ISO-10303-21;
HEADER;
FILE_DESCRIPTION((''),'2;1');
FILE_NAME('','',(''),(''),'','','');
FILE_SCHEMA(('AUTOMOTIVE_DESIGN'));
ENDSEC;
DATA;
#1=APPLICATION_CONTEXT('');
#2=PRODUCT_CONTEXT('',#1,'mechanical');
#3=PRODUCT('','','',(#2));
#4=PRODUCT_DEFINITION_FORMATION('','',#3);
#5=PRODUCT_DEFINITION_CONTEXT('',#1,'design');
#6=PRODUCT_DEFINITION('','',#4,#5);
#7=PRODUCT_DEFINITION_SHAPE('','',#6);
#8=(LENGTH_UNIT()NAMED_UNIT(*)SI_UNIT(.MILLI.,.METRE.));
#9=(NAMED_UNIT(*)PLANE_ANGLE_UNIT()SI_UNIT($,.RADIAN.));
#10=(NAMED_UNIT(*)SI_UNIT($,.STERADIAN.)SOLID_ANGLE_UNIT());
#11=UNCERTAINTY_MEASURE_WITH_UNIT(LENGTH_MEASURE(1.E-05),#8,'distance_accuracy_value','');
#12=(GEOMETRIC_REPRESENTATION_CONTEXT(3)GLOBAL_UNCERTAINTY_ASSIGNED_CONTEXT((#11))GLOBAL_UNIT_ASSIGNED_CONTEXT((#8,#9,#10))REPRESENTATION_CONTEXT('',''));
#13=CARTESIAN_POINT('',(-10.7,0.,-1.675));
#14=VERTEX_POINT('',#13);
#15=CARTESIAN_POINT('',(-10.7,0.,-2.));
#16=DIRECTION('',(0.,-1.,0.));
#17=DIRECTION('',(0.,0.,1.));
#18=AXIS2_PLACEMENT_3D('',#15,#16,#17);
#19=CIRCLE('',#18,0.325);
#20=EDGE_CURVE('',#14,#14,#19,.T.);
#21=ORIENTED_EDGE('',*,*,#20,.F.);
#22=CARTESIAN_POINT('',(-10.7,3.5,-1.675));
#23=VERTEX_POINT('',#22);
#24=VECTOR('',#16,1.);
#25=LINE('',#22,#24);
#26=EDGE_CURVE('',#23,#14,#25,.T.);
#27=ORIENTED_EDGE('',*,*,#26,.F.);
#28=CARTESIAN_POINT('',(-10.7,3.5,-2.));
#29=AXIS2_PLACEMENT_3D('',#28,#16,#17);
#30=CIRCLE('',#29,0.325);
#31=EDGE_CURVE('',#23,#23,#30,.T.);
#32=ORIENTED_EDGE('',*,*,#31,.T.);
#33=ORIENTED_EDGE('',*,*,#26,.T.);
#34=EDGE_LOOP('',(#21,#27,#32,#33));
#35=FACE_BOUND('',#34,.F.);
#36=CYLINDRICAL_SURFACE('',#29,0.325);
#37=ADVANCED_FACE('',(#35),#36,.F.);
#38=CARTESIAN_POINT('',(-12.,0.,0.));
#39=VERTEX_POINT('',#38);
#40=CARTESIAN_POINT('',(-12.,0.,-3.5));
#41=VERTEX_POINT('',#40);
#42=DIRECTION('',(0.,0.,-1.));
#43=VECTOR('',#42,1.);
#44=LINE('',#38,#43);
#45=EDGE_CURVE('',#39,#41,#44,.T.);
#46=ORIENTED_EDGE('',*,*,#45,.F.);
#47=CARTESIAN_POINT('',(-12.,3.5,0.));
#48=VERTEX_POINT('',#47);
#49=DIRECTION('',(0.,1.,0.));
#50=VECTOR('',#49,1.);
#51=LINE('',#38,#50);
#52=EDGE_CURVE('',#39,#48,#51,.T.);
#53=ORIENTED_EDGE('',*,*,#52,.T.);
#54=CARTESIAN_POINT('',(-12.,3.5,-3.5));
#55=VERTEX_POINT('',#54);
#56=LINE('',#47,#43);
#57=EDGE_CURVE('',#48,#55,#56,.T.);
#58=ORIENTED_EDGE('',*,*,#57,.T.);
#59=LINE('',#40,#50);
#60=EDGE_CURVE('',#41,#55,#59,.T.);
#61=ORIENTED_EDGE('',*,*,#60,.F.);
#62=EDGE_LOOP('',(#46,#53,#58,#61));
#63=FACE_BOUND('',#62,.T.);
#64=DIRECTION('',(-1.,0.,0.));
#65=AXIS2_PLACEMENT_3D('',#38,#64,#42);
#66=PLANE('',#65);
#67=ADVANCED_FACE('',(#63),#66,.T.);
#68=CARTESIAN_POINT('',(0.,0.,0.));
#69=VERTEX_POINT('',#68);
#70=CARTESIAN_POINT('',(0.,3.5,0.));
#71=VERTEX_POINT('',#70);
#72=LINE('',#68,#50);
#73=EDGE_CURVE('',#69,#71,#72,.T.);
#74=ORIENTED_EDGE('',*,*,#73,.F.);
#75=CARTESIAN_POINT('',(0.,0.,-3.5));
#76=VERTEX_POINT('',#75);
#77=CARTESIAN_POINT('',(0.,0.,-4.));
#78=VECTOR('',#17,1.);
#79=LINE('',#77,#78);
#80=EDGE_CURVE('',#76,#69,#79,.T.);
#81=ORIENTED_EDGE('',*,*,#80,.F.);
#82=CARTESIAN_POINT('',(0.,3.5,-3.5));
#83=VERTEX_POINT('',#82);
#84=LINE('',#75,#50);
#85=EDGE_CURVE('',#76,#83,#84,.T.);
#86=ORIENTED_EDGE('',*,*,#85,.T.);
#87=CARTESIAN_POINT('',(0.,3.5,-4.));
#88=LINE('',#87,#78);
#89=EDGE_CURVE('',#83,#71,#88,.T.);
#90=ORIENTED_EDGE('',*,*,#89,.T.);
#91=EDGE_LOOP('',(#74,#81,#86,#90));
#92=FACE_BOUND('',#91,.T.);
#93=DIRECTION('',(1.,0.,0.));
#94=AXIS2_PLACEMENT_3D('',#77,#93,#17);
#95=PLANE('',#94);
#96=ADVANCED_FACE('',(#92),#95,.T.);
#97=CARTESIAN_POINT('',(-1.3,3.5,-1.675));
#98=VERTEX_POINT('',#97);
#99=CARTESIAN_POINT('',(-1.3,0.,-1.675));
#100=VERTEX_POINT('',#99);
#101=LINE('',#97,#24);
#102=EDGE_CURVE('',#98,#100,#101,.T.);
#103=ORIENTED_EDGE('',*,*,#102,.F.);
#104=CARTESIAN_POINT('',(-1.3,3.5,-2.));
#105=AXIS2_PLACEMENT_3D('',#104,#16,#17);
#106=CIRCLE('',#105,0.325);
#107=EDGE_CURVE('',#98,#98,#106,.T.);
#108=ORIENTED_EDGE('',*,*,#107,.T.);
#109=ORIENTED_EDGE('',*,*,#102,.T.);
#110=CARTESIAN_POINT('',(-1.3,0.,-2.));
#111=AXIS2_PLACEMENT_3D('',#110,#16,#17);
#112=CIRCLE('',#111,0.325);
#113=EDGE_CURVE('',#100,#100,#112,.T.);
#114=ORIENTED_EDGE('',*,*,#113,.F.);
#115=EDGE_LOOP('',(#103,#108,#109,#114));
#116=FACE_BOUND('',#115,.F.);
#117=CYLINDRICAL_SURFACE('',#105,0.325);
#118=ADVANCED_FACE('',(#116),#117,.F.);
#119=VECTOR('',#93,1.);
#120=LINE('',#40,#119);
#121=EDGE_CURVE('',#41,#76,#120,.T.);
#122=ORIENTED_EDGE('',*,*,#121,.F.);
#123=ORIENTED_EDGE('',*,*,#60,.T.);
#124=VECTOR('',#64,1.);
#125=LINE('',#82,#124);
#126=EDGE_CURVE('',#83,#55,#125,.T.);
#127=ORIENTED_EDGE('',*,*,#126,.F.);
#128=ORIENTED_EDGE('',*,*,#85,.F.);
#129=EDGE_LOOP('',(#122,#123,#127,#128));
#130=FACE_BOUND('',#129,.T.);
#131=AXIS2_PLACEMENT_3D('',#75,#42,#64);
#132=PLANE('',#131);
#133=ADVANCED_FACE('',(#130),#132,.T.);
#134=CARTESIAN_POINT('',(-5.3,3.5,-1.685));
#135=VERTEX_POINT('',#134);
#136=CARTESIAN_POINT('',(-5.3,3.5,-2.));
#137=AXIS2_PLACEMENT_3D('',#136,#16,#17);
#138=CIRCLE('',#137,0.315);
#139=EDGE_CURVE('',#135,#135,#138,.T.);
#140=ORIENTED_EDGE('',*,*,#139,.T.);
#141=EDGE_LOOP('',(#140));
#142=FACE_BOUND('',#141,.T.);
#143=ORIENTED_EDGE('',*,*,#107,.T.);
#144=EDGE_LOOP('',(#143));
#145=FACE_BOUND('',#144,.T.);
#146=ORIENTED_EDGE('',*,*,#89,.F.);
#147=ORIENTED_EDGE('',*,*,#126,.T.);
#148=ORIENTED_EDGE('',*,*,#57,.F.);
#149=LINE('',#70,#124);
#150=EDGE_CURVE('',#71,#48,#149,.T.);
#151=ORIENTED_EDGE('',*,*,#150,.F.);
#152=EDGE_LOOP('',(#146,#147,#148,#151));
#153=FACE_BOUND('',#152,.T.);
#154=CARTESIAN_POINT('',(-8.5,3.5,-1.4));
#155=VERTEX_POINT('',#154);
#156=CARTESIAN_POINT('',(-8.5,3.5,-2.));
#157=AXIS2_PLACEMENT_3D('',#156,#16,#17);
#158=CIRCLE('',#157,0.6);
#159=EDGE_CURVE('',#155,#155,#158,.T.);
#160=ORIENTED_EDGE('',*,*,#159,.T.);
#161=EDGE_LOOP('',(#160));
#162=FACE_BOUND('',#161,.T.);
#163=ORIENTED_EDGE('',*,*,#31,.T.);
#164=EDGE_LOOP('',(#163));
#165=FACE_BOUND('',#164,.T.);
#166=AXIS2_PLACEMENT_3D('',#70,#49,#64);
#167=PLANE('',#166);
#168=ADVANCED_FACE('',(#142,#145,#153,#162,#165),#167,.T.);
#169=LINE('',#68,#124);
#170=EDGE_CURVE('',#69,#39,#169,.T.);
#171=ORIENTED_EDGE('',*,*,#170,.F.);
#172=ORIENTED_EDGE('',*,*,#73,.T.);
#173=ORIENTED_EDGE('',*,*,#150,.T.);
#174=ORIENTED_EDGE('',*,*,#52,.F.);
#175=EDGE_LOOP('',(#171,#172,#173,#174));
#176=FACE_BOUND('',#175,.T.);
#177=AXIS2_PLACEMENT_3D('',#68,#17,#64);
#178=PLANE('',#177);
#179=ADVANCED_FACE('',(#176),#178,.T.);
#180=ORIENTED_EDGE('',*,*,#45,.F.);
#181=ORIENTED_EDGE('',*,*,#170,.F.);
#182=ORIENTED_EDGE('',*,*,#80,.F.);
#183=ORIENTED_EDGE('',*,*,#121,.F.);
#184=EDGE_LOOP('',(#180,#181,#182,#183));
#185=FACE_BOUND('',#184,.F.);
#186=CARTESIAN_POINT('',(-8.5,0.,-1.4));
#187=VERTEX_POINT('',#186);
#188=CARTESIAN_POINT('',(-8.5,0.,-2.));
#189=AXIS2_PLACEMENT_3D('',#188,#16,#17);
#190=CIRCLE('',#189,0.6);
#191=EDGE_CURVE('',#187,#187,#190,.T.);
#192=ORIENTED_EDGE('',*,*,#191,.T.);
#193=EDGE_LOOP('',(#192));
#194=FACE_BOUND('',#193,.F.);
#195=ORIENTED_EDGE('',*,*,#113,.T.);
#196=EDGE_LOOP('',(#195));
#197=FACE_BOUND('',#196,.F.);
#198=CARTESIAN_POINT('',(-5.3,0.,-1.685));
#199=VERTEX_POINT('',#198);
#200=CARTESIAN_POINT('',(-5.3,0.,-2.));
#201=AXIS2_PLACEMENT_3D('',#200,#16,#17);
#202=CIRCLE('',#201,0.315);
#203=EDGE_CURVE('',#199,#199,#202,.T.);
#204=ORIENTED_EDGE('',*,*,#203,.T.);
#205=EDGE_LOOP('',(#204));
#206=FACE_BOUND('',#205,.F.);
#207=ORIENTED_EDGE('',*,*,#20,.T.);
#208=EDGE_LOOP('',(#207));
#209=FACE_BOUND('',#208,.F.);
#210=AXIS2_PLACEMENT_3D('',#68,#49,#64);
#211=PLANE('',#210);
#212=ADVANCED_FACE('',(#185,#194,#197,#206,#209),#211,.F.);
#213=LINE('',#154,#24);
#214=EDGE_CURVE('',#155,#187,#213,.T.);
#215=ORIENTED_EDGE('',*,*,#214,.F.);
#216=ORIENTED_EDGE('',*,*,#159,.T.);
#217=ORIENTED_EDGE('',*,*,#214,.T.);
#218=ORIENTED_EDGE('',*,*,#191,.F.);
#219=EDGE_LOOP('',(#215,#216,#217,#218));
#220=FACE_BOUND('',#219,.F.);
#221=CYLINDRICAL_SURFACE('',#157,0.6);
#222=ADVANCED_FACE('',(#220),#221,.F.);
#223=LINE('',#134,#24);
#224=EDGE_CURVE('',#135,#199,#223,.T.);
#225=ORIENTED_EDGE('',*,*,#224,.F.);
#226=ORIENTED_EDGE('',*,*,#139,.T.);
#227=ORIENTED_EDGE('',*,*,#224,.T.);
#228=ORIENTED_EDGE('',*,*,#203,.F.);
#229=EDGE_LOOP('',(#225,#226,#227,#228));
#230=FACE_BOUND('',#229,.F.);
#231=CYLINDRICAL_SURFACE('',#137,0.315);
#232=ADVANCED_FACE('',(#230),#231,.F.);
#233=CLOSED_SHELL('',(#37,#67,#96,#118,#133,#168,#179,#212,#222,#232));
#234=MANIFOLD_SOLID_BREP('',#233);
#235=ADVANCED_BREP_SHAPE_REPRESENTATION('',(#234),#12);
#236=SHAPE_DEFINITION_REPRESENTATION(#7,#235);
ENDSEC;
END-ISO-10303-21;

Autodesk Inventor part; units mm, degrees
ref_plane "YZ Plane" through (0, 0, 0) normal (1, 0, 0) x (0, 1, 0)
ref_plane "XZ Plane" through (0, 0, 0) normal (0, 1, 0) x (-1, 0, 0)
ref_plane "XY Plane" through (0, 0, 0) normal (0, 0, 1) x (1, 0, 0)
sketch "스케치1" plane through (0, 0, 0) normal (0, 1, 0) x (-1, 0, 0)
  line L0 (0, 0) -> (12, 0)
  line L1 (12, 0) -> (12, -4)
  line L2 (12, -4) -> (0, -4)
  line L3 (0, -4) -> (0, 0)
  dimension "d0" = 12
  dimension "d1" = 4
extrude "돌출1" add sketch "스케치1" along normal blind 3.5
sketch "스케치2" plane through (0, 3.5, 0) normal (0, 1, 0) x (1, 0, 0)
  line L0 (0, 0) -> (0, 4) construction
  line L1 (0, 2) -> (-12, 2) construction
  line L2 (-12, 4) -> (-12, 0) construction
  point P0 (-1.3, 2)
  point P1 (-5.3, 2)
  point P2 (-8.5, 2)
  point P3 (-10.7, 2)
  dimension "d59" = 1.3
  dimension "d60" = 2.2
  dimension "d61" = 3.2
  dimension "d62" = 1.3
hole "구멍1" at (-10.7, 3.5, -2) at (-1.3, 3.5, -2) direction (0, -1, 0) diameter 0.65 end through all
hole "구멍2" at (-8.5, 3.5, -2) direction (0, -1, 0) diameter 1.2 end through all
hole "구멍3" at (-5.3, 3.5, -2) direction (0, -1, 0) diameter 0.63 end through all
sketch "스케치7" plane through (0, 0, -4) normal (0, 0, -1) x (-1, 0, 0)
  line L0 (12, 0) -> (0, 0) projected
  line L1 (12, 0) -> (12, 3.5) projected
  line L2 (0, 3.5) -> (12, 3.5) projected
  line L3 (0, 0) -> (0, 3.5) projected
  point P0 (0, 0)
extrude "돌출5" cut sketch "스케치7" against normal blind 0.5
equation "\"G23_F\" = 0.65"
equation "\"G23_M\" = 0.67"
equation "\"Screw_F\" = 1.3"
equation "\"Screw_M\" = 1.6"
properties part number "_3D 인쇄"
